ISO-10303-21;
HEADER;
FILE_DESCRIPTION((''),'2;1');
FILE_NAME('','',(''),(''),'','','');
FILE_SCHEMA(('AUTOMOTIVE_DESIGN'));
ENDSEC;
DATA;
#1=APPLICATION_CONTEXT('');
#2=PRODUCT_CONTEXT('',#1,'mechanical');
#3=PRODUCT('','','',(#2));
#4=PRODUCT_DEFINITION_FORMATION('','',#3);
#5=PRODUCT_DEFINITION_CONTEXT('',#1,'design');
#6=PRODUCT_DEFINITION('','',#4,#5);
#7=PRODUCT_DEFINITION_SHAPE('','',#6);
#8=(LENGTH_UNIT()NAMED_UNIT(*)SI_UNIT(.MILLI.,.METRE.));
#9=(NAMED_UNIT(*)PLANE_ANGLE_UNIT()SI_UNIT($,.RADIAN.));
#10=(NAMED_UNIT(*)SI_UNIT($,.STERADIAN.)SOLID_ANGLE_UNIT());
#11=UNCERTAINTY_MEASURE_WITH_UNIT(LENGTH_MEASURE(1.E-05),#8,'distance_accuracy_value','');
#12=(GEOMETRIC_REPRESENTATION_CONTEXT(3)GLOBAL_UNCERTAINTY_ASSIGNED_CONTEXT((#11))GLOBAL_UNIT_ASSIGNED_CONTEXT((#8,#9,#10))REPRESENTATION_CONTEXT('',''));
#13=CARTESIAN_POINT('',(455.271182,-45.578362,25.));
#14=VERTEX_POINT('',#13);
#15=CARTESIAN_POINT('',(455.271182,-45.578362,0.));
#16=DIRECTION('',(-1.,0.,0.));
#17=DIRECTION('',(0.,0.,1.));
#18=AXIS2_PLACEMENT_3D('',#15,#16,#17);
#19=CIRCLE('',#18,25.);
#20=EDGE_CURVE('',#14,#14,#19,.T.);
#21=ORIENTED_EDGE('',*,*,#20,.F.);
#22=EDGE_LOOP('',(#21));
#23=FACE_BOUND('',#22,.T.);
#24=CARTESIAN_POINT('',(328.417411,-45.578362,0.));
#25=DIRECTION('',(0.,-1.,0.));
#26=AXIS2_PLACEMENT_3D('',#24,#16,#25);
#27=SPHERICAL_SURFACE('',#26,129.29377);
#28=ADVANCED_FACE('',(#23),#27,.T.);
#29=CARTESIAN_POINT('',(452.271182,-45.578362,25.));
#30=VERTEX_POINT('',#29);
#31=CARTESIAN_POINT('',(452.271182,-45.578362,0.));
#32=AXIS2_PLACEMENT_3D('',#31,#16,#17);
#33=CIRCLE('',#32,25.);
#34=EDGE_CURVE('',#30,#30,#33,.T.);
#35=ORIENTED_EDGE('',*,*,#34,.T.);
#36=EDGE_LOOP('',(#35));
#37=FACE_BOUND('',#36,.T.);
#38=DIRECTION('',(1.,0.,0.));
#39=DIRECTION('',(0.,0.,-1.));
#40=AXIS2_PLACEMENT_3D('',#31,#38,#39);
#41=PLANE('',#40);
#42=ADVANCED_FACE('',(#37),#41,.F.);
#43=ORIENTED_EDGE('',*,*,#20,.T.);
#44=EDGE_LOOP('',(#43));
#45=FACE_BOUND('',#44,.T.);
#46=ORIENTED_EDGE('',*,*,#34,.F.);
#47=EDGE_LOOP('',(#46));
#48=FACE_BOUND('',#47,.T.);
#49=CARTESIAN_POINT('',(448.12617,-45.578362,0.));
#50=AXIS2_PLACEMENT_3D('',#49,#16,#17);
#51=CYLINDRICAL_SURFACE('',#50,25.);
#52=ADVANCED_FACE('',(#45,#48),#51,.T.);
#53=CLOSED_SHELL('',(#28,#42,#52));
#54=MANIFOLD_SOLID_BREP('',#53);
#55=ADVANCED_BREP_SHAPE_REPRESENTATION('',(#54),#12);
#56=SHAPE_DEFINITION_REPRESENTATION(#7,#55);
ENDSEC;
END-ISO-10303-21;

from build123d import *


with BuildPart() as part:
    # 草图1 → 旋转1 (revolve)
    with BuildSketch(Plane.XY, mode=Mode.PRIVATE) as revolve_1_sk:
        with BuildLine():
            Line((452.271181677, -45.578362358), (452.271181677, -20.578362358))
            Line((452.271181677, -20.578362358), (455.271181677, -20.578362358))
            ThreePointArc((455.271181677, -20.578362358), (457.099735877, -33.018967468), (457.711181677, -45.578362358))
            Line((457.711181677, -45.578362358), (452.271181677, -45.578362358))
        make_face()
    revolve(revolve_1_sk.sketch.rotate(Axis((448.126169928, -45.578362358, 0), (1, 0, 0)), 180), axis=Axis((448.126169928, -45.578362358, 0), (1, 0, 0)))  # turned: the seam where the file's is


solid = part.part
